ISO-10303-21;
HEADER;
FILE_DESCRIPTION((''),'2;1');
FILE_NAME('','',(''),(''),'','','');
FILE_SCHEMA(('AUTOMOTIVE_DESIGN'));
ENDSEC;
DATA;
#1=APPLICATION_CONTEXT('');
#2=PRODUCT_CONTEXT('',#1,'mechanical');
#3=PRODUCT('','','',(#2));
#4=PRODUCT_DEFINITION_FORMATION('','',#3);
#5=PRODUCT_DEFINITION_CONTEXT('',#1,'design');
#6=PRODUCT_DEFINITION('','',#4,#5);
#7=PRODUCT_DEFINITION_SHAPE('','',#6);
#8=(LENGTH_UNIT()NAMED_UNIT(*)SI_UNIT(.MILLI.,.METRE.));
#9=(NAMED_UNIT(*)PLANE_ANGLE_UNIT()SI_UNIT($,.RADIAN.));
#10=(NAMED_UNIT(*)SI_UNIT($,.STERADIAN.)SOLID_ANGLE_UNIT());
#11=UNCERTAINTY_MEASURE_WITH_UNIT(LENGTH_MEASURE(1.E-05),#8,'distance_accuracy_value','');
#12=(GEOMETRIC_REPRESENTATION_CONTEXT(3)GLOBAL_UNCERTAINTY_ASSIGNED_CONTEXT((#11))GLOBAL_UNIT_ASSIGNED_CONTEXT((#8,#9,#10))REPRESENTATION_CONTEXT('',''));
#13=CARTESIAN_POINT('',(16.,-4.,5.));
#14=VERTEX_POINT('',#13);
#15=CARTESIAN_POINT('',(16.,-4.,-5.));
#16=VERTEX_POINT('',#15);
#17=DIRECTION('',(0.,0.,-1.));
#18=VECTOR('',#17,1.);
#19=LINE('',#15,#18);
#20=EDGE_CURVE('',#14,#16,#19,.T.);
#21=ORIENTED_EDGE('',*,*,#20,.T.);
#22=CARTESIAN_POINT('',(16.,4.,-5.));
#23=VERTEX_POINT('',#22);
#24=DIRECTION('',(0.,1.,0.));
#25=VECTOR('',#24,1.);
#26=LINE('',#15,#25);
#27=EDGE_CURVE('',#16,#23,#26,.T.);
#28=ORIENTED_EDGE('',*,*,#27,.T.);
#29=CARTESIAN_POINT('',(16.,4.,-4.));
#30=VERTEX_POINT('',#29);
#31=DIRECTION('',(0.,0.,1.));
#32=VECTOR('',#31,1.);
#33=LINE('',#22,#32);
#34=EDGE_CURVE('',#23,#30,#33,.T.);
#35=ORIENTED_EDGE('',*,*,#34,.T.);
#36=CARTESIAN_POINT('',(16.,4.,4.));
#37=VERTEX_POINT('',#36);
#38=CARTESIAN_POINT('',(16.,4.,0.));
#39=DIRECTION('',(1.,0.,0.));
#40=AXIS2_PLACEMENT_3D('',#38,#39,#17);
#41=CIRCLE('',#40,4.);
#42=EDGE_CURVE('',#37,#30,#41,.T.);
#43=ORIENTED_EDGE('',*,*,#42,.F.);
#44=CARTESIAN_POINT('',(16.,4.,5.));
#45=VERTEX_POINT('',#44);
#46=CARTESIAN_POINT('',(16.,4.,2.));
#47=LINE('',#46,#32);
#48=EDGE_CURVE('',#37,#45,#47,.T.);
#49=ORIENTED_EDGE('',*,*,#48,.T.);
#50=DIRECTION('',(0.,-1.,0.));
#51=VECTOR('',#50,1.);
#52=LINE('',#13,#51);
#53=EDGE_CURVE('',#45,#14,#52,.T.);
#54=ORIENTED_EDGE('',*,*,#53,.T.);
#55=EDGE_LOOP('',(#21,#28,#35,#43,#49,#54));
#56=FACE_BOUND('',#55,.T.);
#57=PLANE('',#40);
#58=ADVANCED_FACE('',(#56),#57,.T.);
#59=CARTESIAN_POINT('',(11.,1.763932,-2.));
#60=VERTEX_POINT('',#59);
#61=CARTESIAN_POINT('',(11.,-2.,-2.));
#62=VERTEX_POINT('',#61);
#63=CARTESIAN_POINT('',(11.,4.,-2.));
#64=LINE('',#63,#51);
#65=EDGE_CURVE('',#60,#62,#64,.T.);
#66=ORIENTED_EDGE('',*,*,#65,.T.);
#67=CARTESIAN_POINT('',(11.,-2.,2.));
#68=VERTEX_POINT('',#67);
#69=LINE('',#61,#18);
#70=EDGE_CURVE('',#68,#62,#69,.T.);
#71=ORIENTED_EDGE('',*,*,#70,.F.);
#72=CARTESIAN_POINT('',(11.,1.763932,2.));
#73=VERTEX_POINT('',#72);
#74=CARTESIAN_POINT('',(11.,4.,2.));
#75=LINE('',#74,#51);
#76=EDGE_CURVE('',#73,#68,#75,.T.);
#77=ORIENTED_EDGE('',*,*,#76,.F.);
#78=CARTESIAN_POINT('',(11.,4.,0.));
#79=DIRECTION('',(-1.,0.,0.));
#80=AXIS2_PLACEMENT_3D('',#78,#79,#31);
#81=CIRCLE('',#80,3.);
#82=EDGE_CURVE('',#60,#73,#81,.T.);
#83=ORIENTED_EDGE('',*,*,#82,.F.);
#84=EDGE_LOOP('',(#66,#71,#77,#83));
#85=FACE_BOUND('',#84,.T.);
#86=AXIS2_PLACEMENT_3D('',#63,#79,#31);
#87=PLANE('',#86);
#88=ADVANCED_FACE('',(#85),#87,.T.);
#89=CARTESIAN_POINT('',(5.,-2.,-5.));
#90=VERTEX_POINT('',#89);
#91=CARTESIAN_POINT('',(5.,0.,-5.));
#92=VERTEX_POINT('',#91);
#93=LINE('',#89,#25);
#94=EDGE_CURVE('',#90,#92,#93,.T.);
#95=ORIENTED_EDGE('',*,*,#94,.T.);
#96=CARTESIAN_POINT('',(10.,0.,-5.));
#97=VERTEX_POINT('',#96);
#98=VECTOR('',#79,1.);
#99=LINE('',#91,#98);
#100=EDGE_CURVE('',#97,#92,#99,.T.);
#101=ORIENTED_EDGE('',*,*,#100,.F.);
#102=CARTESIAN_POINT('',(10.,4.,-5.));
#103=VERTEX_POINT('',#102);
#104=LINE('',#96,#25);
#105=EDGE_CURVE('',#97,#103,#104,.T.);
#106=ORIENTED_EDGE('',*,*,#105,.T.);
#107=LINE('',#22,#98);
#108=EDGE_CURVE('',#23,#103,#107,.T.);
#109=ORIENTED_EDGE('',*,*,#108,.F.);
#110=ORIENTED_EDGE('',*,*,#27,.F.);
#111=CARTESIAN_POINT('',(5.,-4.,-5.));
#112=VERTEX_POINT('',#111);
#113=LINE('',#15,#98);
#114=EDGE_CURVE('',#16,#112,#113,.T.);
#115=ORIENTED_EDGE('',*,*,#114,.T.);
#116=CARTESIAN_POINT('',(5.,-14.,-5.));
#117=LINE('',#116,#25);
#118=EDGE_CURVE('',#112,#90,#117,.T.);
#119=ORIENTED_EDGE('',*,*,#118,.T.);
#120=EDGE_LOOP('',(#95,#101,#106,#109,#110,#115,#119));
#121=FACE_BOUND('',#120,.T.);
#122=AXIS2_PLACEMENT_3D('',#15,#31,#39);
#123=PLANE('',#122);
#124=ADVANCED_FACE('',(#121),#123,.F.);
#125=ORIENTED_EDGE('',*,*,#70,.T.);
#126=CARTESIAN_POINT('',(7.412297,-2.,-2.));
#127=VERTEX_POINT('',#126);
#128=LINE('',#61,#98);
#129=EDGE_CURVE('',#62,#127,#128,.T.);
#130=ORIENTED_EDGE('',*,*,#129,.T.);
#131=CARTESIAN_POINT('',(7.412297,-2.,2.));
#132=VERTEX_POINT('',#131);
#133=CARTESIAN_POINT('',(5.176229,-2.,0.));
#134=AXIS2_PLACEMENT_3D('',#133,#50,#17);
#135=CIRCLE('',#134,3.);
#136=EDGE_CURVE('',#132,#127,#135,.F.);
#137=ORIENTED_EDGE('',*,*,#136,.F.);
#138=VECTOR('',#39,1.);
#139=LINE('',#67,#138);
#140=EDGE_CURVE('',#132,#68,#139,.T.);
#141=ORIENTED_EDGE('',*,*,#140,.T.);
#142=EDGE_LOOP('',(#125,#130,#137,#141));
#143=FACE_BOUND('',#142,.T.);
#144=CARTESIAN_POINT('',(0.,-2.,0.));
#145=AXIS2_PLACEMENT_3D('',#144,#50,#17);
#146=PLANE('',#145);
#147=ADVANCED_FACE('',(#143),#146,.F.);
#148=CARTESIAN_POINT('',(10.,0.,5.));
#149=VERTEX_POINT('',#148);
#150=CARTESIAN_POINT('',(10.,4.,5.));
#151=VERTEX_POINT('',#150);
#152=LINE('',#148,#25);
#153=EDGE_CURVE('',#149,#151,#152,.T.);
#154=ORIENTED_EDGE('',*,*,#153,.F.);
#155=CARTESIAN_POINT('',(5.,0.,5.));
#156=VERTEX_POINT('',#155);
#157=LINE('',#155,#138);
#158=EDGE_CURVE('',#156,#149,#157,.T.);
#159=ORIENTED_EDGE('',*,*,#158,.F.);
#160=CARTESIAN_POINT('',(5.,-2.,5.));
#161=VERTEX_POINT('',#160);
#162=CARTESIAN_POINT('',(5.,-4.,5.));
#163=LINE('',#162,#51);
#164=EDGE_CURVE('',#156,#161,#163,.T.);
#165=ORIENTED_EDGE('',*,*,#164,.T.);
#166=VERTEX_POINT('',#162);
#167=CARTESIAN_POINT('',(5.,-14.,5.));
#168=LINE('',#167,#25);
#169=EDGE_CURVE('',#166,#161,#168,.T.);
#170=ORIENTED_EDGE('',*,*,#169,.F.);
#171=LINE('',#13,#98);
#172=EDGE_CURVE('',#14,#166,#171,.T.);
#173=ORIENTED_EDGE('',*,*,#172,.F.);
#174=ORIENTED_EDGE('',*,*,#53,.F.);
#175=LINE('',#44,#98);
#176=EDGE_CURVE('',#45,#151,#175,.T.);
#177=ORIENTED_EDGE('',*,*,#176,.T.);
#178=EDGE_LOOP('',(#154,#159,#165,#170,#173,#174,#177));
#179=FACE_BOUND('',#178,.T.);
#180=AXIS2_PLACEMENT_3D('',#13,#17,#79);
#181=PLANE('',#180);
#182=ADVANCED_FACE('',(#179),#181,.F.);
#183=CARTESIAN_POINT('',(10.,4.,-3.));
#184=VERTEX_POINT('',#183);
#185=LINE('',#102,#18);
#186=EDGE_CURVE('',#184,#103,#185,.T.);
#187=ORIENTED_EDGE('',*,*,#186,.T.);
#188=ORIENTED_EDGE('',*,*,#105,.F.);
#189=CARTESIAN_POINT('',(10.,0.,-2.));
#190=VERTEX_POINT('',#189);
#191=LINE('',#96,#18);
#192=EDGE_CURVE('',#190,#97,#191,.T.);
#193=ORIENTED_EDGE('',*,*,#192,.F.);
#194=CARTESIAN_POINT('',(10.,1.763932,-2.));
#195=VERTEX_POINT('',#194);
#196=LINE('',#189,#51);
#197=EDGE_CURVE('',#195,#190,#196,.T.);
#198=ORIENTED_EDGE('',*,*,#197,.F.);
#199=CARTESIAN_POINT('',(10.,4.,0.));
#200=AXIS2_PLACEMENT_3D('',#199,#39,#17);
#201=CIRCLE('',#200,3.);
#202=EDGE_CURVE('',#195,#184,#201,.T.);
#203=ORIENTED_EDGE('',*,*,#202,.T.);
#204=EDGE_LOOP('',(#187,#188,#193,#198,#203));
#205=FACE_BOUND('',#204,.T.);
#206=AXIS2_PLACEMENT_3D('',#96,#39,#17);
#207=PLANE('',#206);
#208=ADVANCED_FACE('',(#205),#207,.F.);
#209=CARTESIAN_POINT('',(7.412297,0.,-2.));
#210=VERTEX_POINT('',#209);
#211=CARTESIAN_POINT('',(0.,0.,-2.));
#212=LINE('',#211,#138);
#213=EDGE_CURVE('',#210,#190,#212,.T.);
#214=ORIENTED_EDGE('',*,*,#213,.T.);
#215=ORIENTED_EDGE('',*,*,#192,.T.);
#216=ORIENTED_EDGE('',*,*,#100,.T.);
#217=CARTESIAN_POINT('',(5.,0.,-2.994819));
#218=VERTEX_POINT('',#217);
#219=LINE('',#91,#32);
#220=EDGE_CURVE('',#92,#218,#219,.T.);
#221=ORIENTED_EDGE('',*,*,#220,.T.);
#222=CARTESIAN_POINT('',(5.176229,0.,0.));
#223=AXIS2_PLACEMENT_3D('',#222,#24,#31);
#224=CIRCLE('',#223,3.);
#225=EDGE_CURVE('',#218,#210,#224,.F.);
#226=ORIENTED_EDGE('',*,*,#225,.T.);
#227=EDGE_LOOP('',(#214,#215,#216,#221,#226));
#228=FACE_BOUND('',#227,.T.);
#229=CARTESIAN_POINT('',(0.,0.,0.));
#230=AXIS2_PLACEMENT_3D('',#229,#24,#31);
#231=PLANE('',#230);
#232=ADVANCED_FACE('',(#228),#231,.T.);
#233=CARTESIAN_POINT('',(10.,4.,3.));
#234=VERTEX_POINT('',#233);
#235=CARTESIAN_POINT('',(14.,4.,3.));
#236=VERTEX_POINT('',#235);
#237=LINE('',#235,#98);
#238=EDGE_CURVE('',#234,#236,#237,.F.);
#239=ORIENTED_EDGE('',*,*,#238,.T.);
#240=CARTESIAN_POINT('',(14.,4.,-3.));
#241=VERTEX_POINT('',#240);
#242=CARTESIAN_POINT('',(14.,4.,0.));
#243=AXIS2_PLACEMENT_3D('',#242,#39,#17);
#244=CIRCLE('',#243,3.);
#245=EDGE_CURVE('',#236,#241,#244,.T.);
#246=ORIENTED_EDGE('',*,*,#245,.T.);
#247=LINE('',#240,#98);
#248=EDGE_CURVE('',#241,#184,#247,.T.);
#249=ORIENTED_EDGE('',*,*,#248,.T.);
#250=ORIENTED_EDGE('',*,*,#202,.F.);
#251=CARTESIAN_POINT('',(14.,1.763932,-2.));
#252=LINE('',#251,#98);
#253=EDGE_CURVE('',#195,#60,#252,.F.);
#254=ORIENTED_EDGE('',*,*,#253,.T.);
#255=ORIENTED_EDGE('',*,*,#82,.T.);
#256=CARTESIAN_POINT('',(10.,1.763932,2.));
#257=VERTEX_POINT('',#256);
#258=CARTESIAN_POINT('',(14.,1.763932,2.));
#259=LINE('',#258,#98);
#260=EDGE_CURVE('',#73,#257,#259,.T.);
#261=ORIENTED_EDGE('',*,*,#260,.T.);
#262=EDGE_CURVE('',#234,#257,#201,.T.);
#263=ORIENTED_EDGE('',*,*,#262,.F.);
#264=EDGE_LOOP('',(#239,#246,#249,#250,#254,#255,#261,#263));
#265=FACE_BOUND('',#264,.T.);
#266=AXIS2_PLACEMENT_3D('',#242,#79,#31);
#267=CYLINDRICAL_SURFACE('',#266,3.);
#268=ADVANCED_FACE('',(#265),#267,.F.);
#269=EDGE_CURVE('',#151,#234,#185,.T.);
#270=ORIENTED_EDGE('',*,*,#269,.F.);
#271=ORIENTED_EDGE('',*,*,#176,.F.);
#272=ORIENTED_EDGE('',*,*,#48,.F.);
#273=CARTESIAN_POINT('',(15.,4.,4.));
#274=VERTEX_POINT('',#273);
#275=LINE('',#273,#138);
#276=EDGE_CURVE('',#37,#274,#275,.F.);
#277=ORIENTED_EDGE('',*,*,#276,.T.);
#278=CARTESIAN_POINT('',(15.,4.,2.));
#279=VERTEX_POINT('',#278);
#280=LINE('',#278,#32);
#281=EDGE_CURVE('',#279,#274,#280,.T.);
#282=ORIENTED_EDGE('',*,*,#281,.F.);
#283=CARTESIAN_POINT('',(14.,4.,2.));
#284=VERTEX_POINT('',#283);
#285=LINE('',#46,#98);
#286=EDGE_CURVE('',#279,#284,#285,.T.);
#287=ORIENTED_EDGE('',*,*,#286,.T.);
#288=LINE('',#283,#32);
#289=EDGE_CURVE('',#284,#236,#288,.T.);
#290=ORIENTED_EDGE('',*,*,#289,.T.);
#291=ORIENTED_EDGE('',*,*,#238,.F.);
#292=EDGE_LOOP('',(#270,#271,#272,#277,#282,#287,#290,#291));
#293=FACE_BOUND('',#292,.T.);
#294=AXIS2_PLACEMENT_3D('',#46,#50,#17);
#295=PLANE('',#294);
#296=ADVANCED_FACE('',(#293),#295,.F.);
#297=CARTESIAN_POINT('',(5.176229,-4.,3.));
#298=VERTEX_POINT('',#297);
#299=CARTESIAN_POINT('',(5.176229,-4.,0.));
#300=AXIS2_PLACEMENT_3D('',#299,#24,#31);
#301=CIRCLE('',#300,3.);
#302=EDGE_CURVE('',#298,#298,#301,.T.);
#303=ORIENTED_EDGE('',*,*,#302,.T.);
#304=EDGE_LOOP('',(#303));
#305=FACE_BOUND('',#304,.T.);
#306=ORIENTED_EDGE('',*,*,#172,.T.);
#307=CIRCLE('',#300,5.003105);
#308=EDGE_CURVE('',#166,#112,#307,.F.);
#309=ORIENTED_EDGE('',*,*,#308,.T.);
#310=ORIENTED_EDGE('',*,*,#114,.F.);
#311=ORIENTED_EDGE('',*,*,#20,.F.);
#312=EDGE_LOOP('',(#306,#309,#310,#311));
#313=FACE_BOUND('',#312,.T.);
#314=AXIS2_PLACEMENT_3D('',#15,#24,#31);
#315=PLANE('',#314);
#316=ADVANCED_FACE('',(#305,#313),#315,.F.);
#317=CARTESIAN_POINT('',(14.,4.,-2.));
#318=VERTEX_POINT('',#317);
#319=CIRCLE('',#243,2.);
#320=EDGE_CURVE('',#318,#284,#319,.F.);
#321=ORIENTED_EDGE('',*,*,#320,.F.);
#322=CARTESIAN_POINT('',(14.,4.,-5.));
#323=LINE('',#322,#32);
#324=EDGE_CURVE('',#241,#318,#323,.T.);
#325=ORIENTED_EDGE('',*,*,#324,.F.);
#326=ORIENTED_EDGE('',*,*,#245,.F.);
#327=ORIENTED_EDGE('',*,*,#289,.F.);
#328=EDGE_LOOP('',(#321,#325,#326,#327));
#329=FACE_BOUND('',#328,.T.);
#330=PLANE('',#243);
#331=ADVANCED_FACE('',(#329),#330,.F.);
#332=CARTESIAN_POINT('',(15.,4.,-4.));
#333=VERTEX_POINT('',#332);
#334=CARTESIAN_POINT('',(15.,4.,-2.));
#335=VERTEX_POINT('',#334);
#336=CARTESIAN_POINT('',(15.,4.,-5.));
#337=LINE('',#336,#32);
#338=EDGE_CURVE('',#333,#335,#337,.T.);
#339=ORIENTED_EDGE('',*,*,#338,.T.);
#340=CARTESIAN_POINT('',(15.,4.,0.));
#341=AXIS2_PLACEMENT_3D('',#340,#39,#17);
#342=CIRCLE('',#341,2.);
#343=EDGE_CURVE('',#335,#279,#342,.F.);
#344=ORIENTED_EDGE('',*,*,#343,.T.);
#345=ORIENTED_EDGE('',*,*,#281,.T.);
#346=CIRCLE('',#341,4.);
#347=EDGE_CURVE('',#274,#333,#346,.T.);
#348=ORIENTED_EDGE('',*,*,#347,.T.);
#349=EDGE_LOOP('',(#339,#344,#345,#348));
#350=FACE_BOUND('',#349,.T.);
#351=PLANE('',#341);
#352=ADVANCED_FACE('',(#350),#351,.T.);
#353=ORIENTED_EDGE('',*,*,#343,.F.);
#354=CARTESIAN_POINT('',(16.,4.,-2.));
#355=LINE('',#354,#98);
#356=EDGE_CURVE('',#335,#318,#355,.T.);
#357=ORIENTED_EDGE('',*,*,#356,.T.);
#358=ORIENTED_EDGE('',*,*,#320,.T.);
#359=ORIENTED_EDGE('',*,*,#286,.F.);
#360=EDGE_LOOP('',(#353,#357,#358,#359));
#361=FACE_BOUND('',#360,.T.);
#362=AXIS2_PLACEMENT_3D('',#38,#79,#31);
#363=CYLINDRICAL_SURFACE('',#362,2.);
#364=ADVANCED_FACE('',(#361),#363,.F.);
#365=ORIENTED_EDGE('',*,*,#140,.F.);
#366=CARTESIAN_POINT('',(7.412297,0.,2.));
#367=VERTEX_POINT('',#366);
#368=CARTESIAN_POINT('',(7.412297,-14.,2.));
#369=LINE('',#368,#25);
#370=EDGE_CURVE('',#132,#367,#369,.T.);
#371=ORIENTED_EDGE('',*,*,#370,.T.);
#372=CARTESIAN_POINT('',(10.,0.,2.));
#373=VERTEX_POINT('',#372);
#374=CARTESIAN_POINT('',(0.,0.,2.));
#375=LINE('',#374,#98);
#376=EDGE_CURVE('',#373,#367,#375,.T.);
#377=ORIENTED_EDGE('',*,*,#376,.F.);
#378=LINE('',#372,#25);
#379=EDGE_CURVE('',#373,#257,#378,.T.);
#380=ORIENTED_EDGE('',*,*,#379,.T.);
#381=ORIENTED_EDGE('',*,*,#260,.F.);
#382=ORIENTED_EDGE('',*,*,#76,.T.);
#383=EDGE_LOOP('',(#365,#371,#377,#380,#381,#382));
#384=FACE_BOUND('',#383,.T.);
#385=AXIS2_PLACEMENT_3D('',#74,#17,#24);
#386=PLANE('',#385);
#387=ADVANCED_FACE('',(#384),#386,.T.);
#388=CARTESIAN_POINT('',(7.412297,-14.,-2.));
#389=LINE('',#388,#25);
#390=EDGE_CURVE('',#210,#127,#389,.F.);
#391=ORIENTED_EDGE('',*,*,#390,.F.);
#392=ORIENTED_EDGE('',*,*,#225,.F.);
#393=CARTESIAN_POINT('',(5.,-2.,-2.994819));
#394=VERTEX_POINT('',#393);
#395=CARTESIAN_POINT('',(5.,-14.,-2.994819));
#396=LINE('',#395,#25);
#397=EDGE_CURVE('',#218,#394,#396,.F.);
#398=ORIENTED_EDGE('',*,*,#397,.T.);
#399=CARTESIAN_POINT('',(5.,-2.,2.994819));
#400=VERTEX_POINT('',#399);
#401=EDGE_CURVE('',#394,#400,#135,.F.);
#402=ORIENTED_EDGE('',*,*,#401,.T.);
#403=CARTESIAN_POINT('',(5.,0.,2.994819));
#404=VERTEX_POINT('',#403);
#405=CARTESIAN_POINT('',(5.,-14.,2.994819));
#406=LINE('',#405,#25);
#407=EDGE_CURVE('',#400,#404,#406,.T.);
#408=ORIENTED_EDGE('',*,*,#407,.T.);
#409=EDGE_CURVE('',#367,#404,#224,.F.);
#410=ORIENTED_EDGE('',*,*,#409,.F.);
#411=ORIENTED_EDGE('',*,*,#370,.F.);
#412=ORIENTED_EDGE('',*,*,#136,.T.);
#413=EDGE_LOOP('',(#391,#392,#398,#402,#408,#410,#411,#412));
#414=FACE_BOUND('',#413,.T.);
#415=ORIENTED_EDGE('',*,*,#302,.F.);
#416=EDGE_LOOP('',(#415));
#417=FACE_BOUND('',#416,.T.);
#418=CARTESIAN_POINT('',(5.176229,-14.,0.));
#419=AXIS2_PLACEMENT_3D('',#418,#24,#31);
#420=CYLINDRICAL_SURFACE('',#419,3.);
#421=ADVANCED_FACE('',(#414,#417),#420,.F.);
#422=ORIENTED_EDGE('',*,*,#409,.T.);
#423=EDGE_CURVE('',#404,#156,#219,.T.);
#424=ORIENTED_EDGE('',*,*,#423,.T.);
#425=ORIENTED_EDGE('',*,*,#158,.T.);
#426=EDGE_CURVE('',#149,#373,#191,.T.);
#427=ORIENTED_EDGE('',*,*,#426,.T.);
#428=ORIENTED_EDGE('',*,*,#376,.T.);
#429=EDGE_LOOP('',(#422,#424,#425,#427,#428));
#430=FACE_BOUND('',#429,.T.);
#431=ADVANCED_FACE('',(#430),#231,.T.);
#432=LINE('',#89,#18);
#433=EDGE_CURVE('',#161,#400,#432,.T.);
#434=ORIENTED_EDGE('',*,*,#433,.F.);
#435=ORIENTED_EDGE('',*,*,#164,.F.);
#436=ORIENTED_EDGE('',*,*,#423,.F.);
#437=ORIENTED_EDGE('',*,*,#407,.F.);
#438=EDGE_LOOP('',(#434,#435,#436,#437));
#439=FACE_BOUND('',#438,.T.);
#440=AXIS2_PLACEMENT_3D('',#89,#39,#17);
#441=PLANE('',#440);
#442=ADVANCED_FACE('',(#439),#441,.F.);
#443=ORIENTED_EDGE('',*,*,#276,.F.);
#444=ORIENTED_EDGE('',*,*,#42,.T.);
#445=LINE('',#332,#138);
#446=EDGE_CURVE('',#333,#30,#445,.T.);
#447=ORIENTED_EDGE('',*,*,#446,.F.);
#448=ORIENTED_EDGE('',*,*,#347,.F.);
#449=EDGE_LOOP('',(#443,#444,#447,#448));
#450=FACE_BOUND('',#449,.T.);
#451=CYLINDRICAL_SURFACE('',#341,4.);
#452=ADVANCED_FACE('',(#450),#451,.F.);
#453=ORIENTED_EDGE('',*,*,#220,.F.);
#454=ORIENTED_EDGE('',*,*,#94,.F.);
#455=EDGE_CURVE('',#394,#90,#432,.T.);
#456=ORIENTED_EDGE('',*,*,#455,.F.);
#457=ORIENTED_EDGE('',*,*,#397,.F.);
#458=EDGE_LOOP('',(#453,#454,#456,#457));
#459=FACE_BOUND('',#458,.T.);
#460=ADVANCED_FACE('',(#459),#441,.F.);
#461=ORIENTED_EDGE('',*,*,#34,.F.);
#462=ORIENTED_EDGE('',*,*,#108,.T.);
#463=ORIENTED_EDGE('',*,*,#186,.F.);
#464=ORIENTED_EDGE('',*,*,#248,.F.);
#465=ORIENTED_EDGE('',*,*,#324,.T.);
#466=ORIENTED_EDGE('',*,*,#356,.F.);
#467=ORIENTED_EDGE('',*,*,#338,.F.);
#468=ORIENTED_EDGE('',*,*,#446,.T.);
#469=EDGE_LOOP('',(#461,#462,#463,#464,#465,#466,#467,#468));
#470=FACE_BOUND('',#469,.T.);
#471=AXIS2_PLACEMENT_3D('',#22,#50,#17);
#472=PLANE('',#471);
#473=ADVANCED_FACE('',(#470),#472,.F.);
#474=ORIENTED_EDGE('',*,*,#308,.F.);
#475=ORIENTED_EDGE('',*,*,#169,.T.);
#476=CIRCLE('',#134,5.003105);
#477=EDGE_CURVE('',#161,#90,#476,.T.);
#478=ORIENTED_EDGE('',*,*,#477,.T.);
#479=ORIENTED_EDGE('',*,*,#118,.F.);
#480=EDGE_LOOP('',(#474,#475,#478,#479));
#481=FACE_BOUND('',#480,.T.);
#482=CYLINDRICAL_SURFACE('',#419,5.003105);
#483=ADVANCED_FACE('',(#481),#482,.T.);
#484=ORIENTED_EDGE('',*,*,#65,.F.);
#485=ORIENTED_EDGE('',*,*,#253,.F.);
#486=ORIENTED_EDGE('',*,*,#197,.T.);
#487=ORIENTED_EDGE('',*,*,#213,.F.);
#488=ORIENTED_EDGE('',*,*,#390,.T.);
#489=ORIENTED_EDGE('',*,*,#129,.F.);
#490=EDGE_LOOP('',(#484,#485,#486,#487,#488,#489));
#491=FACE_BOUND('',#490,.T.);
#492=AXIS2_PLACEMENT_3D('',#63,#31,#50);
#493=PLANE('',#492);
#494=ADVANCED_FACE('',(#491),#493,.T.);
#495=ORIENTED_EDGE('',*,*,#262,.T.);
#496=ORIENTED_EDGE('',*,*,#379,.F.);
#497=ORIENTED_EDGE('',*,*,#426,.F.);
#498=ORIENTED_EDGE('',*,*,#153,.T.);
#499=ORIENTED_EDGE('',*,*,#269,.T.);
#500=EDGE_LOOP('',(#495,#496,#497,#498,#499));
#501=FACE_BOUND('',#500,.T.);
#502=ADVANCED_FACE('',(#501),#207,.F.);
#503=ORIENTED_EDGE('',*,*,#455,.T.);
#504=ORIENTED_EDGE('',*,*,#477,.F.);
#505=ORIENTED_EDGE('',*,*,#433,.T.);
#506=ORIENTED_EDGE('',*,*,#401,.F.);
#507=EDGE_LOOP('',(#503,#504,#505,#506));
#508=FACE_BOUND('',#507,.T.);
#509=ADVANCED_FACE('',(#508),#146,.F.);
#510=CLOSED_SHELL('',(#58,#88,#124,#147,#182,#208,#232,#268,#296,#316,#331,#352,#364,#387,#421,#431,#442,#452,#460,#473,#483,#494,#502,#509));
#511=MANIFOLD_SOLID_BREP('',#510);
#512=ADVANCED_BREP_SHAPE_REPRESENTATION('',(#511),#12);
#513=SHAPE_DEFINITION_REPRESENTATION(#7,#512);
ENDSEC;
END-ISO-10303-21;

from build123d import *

# Parameters (mm, degrees)
BOSS_EXTRUDE1_DEPTH     = 16
SKETCH2_R               = 3
CUT_EXTRUDE1_DEPTH      = 18
SKETCH3_R               = 4
CUT_EXTRUDE2_DEPTH      = 1
SKETCH4_R               = 3
CUT_EXTRUDE3_DEPTH      = 14
SKETCH5_W               = 6.803133859
SKETCH5_H               = 10.102230074
CUT_EXTRUDE4_DEPTH      = 6
SKETCH6_W               = 5
SKETCH6_H               = 10
CUT_EXTRUDE5_DEPTH      = 4
SKETCH7_W               = 6.342903926
SKETCH7_H               = 4
CUT_EXTRUDE6_DEPTH      = 4
CUT_EXTRUDE6_DEPTH_BACK = 2


with BuildPart() as part:
    # Sketch1 → Boss-Extrude1 (new body)
    with BuildSketch(Plane(origin=(0, 0, 0), x_dir=(0, 0, -1), z_dir=(1, 0, 0))):
        with BuildLine():
            Line((-2, 4), (-5, 4))
            Line((-5, 4), (-5, -4))
            Line((-5, -4), (5, -4))
            Line((5, -4), (5, 4))
            Line((5, 4), (2, 4))
            ThreePointArc((2, 4), (0, 2), (-2, 4))
        make_face()
    extrude(amount=BOSS_EXTRUDE1_DEPTH)

    # Sketch2 → Cut-Extrude1 (cut)
    with BuildSketch(Plane(origin=(0, 4, 0), x_dir=(1, 0, 0), z_dir=(0, 1, 0))):
        with Locations((5.17622925, 0)):
            Circle(SKETCH2_R)
        with BuildLine():
            Line((5, 5), (0, 5))
            Line((0, 5), (0, -5))
            Line((0, -5), (5, -5))
            ThreePointArc((5, -5), (0.173124539, 0), (5, 5))
        make_face()
    extrude(amount=-CUT_EXTRUDE1_DEPTH, mode=Mode.SUBTRACT)

    # Sketch3 → Cut-Extrude2 (cut)
    with BuildSketch(Plane(origin=(16, 0, 0), x_dir=(0, 0, -1), z_dir=(1, 0, 0))):
        with Locations((0, 4)):
            Circle(SKETCH3_R)
    extrude(amount=-CUT_EXTRUDE2_DEPTH, mode=Mode.SUBTRACT)

    # Sketch4 → Cut-Extrude3 (cut)
    with BuildSketch(Plane(origin=(0, 0, 0), x_dir=(0, 0, -1), z_dir=(1, 0, 0))):
        with Locations((0, 4)):
            Circle(SKETCH4_R)
    extrude(amount=CUT_EXTRUDE3_DEPTH, mode=Mode.SUBTRACT)

    # Sketch5 → Cut-Extrude4 (cut)
    with BuildSketch(Plane(origin=(0, 4, 0), x_dir=(1, 0, 0), z_dir=(0, 1, 0))):
        with Locations((1.598433071, -0.051115037)):
            Rectangle(SKETCH5_W, SKETCH5_H)
    extrude(amount=-CUT_EXTRUDE4_DEPTH, mode=Mode.SUBTRACT)

    # Sketch6 → Cut-Extrude5 (cut)
    with BuildSketch(Plane(origin=(0, 4, 0), x_dir=(1, 0, 0), z_dir=(0, 1, 0))):
        with Locations((7.5, 0)):
            Rectangle(SKETCH6_W, SKETCH6_H)
    extrude(amount=-CUT_EXTRUDE5_DEPTH, mode=Mode.SUBTRACT)

    # Sketch7 → Cut-Extrude6 (cut, two sides)
    with BuildSketch(Plane(origin=(0, 0, 0), x_dir=(1, 0, 0), z_dir=(0, 1, 0))) as cut_extrude6_sk:
        with Locations((7.828548037, 0)):
            Rectangle(SKETCH7_W, SKETCH7_H)
    extrude(amount=CUT_EXTRUDE6_DEPTH, mode=Mode.SUBTRACT)
    extrude(cut_extrude6_sk.sketch, amount=-CUT_EXTRUDE6_DEPTH_BACK, mode=Mode.SUBTRACT)


solid = part.part
